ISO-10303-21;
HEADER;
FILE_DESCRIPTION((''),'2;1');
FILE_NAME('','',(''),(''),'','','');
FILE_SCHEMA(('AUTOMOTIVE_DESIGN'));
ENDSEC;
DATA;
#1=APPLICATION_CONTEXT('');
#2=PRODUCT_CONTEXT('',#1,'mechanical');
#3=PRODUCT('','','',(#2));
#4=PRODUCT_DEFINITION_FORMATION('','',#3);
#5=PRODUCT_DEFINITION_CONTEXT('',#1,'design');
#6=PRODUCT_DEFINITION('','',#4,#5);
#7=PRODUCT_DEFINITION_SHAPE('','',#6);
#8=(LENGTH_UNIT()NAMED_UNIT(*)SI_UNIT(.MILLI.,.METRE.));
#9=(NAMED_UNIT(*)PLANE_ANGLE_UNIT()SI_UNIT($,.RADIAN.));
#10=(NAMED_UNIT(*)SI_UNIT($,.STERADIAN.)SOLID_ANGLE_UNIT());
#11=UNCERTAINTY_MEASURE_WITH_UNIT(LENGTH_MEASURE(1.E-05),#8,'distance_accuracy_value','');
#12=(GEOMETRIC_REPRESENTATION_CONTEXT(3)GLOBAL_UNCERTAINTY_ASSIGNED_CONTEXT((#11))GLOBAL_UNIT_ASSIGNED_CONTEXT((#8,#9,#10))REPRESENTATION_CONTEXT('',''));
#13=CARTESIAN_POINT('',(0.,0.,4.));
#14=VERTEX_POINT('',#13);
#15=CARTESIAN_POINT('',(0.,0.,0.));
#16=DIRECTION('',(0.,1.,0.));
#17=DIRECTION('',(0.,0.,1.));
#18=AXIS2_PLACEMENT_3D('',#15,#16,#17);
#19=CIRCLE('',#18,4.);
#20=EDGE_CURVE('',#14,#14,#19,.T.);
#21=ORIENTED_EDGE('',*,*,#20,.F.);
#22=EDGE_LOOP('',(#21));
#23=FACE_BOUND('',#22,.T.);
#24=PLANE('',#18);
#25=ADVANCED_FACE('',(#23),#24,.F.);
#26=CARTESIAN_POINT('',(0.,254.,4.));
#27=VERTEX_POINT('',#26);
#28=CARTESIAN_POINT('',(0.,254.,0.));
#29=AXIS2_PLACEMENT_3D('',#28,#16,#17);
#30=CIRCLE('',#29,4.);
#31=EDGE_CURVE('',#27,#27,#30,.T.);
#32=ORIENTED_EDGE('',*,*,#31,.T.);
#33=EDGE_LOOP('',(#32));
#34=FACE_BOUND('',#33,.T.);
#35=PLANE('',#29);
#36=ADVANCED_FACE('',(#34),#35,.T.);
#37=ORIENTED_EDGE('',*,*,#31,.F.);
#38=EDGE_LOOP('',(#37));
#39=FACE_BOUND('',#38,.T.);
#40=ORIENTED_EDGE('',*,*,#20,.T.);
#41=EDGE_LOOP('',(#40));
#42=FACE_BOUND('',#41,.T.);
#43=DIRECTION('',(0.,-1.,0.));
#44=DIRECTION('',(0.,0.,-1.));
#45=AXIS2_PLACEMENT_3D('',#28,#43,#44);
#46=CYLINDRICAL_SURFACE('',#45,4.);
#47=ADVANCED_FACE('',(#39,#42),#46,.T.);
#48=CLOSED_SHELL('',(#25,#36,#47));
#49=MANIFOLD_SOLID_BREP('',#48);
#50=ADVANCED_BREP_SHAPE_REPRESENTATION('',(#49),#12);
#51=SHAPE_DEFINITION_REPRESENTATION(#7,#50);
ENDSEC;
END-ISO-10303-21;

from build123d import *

# Parameters (mm, degrees)
SKETCH1_R           = 4
BOSS_EXTRUDE1_DEPTH = 254


with BuildPart() as part:
    # Sketch1 → Boss-Extrude1 (new body)
    with BuildSketch(Plane(origin=(0, 0, 0), x_dir=(1, 0, 0), z_dir=(0, 1, 0))):
        Circle(SKETCH1_R)
    extrude(amount=BOSS_EXTRUDE1_DEPTH)


solid = part.part
